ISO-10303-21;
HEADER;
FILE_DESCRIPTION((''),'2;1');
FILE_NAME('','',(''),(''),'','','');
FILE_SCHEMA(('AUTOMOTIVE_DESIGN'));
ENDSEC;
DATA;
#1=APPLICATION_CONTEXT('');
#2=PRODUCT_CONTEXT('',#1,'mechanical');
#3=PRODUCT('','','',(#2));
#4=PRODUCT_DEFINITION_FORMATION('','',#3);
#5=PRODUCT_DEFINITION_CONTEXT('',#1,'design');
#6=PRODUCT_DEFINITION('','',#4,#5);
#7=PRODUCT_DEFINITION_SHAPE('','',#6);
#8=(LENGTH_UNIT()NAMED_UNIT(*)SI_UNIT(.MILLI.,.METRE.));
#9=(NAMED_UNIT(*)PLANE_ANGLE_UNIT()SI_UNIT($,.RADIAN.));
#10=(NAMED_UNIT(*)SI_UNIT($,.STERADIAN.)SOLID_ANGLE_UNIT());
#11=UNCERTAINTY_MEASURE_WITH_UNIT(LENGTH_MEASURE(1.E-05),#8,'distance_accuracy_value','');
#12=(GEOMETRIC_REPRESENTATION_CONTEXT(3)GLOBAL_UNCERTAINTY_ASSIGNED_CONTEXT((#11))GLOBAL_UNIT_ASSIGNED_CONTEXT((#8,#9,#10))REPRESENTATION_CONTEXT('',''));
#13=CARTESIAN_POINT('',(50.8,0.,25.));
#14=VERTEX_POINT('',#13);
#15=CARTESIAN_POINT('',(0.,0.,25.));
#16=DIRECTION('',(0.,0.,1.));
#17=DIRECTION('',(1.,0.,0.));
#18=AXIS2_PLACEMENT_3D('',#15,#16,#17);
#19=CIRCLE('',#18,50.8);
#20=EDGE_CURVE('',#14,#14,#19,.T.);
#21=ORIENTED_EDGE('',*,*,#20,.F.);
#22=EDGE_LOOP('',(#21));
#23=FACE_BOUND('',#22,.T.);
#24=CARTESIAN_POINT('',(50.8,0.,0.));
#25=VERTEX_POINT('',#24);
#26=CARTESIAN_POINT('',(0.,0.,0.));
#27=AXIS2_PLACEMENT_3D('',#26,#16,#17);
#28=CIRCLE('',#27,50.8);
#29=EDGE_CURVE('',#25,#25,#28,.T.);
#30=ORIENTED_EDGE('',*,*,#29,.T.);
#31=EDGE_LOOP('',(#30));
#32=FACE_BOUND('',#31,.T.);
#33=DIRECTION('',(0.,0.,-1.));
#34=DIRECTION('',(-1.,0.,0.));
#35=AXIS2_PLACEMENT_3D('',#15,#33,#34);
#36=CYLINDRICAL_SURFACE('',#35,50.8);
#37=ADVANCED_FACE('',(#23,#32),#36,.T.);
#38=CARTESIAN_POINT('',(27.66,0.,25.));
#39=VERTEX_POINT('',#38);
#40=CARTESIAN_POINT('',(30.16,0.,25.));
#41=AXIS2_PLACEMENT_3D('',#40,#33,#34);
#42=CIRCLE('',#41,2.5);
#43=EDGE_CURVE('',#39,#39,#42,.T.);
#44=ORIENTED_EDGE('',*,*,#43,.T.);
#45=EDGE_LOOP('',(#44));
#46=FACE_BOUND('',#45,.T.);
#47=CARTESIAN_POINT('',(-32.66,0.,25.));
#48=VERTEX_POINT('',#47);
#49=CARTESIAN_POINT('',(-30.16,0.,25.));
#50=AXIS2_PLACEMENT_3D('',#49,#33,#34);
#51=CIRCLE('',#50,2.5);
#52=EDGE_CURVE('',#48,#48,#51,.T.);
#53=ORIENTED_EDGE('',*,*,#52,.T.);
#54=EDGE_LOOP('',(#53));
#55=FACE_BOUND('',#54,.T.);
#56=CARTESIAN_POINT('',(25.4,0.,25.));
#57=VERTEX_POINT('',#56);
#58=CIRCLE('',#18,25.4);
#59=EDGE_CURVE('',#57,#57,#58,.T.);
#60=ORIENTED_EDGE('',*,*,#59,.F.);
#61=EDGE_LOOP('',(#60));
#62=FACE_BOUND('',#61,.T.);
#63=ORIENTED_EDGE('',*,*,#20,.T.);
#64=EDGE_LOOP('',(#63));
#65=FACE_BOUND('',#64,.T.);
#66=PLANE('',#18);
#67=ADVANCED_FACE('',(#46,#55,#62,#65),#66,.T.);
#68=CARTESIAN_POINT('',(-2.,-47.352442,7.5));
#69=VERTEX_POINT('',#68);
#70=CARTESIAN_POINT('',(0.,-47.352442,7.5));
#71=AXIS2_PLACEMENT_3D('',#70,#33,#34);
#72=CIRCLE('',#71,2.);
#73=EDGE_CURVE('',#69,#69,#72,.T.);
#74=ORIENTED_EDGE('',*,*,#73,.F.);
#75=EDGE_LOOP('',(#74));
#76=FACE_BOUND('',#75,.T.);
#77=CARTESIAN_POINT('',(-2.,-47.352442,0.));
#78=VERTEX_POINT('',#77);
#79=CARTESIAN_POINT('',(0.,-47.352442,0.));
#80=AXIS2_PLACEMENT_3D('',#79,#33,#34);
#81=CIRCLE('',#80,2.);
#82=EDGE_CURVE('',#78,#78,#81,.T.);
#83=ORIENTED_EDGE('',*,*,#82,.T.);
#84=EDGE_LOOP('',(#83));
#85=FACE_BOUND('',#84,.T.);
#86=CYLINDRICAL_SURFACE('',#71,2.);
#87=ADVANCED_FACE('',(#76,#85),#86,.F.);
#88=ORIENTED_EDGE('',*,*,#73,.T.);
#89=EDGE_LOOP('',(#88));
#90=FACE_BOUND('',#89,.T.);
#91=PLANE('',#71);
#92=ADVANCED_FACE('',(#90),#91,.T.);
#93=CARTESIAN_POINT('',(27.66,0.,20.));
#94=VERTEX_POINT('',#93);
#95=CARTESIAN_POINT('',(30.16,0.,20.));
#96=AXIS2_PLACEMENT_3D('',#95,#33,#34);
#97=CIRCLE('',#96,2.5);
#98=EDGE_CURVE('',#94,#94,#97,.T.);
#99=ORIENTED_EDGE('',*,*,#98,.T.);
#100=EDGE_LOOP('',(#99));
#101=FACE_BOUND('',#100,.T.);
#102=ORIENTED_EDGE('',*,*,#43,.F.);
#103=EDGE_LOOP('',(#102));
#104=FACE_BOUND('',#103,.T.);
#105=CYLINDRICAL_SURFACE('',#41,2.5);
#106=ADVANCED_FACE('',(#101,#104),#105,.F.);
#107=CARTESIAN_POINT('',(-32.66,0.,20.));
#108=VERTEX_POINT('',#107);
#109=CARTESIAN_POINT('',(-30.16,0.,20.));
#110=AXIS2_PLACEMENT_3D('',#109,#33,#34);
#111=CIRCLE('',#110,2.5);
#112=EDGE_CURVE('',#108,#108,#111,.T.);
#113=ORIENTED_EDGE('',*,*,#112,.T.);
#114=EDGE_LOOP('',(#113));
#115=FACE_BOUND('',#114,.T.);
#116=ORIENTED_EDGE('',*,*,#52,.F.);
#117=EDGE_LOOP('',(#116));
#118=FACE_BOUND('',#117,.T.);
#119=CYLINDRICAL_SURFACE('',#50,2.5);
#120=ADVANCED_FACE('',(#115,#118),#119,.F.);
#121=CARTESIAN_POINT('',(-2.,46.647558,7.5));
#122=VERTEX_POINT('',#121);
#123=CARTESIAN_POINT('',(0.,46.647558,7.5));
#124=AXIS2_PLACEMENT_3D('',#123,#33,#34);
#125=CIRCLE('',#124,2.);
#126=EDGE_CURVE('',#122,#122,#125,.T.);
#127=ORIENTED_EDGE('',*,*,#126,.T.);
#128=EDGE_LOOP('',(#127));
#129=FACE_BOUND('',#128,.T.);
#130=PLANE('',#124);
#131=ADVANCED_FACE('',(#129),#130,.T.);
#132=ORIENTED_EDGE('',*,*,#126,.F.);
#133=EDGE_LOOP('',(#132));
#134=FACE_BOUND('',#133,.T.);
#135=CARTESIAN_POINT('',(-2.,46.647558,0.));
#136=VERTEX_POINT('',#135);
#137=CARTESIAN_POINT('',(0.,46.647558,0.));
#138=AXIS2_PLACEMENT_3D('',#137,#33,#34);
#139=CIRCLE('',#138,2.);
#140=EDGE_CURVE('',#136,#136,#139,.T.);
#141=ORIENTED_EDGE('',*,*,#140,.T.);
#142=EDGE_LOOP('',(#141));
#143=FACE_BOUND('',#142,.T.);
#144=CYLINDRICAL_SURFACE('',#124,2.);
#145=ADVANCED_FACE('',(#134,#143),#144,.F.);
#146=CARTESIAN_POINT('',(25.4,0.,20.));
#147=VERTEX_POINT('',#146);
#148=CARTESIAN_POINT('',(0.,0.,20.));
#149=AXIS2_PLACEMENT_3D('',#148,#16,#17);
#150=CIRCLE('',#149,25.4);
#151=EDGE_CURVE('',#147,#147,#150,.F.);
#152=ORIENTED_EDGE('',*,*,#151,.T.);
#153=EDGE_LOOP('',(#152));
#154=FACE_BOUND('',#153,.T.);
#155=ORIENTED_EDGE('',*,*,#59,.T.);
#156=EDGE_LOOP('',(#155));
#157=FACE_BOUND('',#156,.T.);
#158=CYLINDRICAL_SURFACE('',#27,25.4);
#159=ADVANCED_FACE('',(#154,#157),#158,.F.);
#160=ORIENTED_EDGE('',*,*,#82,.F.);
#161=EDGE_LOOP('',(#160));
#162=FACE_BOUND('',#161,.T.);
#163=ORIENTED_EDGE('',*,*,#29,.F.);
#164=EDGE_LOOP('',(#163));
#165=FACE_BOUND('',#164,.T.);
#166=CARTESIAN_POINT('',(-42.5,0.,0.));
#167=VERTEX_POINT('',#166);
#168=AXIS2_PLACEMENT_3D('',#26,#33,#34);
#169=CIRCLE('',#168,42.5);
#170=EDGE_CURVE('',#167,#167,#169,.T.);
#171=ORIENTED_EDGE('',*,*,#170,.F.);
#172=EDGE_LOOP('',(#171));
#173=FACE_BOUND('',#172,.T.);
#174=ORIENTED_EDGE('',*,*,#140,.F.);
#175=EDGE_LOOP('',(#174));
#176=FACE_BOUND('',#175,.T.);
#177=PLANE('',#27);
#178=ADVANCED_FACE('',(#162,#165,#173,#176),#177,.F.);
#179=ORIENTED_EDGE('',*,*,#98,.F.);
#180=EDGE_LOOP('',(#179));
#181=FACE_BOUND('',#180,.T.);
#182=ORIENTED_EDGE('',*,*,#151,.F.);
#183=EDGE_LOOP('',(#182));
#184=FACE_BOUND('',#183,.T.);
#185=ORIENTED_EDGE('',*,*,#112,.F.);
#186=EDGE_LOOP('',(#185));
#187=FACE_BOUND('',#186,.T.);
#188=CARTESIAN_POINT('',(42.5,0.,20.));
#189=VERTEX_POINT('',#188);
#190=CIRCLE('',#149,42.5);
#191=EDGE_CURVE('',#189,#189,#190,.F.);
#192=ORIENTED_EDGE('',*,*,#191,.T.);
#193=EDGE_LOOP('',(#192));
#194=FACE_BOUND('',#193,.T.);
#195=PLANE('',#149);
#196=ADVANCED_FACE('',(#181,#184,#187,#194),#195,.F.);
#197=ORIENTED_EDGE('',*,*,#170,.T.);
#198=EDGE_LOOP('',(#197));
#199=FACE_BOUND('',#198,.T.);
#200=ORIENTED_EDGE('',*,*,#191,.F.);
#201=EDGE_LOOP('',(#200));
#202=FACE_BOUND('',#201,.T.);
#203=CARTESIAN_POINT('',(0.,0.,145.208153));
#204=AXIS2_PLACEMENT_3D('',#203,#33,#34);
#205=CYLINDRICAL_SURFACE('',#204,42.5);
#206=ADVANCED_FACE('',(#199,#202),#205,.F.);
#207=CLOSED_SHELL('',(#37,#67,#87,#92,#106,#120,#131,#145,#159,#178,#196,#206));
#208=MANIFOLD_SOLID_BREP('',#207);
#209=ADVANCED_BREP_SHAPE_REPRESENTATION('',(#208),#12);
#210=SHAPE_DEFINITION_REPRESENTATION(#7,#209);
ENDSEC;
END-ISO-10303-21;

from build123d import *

# Parameters (mm, degrees)
ESQUISSE1_R             = 50.8
BOSS_EXTRU_1_DEPTH      = 25
ESQUISSE2_R             = 25.4
ENL_V_MAT_EXTRU_1_DEPTH = 26
ESQUISSE3_R             = 42.5
ENL_V_MAT_EXTRU_2_DEPTH = 20
ESQUISSE4_R             = 2.5
ENL_V_MAT_EXTRU_3_DEPTH = 6
ESQUISSE5_R             = 2
ENL_V_MAT_EXTRU_4_DEPTH = 7.5


with BuildPart() as part:
    # Esquisse1 → Boss.-Extru.1 (new body)
    with BuildSketch(Plane.XY):
        Circle(ESQUISSE1_R)
    extrude(amount=BOSS_EXTRU_1_DEPTH)

    # Esquisse2 → Enlèv. mat.-Extru.1 (cut, through all)
    with BuildSketch(Plane.XY.offset(25)):
        Circle(ESQUISSE2_R)
    extrude(amount=-ENL_V_MAT_EXTRU_1_DEPTH, mode=Mode.SUBTRACT)

    # Esquisse3 → Enlèv. mat.-Extru.2 (cut)
    with BuildSketch(Plane(origin=(0, 0, 0), x_dir=(-1, 0, 0), z_dir=(0, 0, -1))):
        Circle(ESQUISSE3_R)
    extrude(amount=-ENL_V_MAT_EXTRU_2_DEPTH, mode=Mode.SUBTRACT)

    # Esquisse4 → Enlèv. mat.-Extru.3 (cut, through all)
    with BuildSketch(Plane(origin=(0, 0, 20), x_dir=(-1, 0, 0), z_dir=(0, 0, -1))):
        with Locations((-30.16, 0)):
            Circle(ESQUISSE4_R)
        with Locations((30.16, 0)):
            Circle(ESQUISSE4_R)
    extrude(amount=-ENL_V_MAT_EXTRU_3_DEPTH, mode=Mode.SUBTRACT)

    # Esquisse5 → Enlèv. mat.-Extru.4 (cut)
    with BuildSketch(Plane(origin=(0, 0, 0), x_dir=(-1, 0, 0), z_dir=(0, 0, -1))):
        with Locations((0, 46.647557519)):
            Circle(ESQUISSE5_R)
        with Locations((0, -47.352442481)):
            Circle(ESQUISSE5_R)
    extrude(amount=-ENL_V_MAT_EXTRU_4_DEPTH, mode=Mode.SUBTRACT)


solid = part.part
